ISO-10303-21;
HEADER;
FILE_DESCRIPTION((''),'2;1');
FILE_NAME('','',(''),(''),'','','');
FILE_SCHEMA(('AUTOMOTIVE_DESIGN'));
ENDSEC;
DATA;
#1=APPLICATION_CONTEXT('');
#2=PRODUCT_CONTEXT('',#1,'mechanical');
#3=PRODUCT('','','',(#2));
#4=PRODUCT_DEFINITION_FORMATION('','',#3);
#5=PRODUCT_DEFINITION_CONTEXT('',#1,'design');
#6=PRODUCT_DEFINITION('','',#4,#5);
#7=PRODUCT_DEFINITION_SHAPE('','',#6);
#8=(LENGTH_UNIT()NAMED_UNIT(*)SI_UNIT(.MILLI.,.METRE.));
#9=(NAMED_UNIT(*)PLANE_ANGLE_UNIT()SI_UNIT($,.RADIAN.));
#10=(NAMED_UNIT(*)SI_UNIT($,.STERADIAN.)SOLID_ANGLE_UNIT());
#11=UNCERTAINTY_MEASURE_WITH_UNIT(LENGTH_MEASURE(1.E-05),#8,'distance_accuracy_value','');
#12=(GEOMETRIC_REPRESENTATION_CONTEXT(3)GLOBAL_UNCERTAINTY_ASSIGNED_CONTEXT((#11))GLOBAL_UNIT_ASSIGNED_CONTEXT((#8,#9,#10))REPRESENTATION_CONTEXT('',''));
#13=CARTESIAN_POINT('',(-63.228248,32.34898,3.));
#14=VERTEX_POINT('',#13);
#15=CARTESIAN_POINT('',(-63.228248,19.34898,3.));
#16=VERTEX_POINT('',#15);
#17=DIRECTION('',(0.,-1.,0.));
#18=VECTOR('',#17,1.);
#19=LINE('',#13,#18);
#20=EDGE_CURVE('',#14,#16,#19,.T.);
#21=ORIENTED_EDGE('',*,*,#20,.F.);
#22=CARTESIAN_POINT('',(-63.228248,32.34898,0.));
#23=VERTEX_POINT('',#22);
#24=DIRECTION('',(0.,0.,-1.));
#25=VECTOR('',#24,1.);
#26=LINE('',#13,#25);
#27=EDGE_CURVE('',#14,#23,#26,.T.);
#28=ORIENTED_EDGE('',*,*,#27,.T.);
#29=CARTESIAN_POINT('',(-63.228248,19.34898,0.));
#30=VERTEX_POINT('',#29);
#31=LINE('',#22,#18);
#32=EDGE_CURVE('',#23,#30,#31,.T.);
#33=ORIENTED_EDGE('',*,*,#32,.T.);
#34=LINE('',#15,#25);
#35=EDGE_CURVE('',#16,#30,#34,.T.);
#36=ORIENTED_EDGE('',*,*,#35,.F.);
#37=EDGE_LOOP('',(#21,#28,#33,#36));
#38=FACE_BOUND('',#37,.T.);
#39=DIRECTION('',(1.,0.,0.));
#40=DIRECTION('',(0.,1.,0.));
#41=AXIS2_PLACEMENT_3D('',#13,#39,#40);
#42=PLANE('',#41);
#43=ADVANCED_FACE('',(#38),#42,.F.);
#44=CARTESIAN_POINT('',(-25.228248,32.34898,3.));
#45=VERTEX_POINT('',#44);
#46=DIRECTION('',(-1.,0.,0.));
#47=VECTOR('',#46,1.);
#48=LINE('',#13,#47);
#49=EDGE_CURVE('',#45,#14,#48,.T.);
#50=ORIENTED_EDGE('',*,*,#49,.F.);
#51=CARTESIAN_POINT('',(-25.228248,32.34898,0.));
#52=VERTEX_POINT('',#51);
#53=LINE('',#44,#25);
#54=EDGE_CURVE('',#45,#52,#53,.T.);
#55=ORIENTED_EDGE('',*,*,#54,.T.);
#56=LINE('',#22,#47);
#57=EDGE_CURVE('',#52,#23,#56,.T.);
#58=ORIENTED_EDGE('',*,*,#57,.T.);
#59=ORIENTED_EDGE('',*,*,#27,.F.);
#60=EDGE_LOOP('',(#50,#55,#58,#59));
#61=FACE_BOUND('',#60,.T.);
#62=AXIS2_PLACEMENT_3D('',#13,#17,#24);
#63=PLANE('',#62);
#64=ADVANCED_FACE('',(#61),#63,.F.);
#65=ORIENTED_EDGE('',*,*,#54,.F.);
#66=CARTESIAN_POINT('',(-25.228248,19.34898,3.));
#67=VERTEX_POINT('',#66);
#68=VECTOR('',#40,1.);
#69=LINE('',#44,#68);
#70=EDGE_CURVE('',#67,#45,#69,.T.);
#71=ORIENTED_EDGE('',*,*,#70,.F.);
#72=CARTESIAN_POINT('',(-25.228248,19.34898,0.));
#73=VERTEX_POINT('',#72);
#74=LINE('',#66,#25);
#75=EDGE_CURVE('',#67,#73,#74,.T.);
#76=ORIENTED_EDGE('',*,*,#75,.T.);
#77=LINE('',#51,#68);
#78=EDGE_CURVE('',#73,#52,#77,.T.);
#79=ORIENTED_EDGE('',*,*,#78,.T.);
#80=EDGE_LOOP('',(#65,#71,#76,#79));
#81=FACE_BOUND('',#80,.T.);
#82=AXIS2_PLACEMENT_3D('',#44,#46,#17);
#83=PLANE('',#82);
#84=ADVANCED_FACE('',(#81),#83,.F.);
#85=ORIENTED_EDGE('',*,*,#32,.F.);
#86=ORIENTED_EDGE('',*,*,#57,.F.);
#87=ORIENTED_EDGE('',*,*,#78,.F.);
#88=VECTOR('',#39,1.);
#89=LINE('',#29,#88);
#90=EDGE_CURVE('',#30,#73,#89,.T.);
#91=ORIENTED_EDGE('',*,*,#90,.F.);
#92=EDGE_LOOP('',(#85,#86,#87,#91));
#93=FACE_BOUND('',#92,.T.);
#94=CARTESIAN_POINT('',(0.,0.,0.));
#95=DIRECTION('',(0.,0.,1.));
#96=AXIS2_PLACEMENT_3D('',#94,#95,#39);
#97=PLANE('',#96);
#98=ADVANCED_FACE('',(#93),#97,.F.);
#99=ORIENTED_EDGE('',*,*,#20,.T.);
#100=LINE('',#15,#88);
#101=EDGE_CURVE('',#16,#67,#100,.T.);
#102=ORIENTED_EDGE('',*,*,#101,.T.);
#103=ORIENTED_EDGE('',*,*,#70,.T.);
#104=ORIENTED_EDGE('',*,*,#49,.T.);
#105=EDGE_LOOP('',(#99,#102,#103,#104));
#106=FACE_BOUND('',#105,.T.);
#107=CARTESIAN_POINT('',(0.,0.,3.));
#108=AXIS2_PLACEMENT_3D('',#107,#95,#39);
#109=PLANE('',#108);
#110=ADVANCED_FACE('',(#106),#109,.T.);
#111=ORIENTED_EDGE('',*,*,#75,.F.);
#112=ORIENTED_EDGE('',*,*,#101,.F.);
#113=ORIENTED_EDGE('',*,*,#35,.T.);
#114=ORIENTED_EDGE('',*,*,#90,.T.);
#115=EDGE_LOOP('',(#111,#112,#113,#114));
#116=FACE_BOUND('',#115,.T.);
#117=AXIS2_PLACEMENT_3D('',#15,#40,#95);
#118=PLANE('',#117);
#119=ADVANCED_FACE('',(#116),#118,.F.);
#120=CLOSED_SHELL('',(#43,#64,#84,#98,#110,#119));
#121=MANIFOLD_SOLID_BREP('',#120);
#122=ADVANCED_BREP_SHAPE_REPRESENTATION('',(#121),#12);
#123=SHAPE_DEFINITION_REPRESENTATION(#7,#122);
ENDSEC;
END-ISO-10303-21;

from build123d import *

# Parameters (mm, degrees)
SKETCH_1_W      = 38
SKETCH_1_H      = 13
EXTRUDE_1_DEPTH = 3


with BuildPart() as part:
    # 草图1 → 凸台-拉伸1 (new body)
    with BuildSketch(Plane.XY):
        with Locations((-44.228247887, 25.848980113)):
            Rectangle(SKETCH_1_W, SKETCH_1_H)
    extrude(amount=EXTRUDE_1_DEPTH)


solid = part.part
